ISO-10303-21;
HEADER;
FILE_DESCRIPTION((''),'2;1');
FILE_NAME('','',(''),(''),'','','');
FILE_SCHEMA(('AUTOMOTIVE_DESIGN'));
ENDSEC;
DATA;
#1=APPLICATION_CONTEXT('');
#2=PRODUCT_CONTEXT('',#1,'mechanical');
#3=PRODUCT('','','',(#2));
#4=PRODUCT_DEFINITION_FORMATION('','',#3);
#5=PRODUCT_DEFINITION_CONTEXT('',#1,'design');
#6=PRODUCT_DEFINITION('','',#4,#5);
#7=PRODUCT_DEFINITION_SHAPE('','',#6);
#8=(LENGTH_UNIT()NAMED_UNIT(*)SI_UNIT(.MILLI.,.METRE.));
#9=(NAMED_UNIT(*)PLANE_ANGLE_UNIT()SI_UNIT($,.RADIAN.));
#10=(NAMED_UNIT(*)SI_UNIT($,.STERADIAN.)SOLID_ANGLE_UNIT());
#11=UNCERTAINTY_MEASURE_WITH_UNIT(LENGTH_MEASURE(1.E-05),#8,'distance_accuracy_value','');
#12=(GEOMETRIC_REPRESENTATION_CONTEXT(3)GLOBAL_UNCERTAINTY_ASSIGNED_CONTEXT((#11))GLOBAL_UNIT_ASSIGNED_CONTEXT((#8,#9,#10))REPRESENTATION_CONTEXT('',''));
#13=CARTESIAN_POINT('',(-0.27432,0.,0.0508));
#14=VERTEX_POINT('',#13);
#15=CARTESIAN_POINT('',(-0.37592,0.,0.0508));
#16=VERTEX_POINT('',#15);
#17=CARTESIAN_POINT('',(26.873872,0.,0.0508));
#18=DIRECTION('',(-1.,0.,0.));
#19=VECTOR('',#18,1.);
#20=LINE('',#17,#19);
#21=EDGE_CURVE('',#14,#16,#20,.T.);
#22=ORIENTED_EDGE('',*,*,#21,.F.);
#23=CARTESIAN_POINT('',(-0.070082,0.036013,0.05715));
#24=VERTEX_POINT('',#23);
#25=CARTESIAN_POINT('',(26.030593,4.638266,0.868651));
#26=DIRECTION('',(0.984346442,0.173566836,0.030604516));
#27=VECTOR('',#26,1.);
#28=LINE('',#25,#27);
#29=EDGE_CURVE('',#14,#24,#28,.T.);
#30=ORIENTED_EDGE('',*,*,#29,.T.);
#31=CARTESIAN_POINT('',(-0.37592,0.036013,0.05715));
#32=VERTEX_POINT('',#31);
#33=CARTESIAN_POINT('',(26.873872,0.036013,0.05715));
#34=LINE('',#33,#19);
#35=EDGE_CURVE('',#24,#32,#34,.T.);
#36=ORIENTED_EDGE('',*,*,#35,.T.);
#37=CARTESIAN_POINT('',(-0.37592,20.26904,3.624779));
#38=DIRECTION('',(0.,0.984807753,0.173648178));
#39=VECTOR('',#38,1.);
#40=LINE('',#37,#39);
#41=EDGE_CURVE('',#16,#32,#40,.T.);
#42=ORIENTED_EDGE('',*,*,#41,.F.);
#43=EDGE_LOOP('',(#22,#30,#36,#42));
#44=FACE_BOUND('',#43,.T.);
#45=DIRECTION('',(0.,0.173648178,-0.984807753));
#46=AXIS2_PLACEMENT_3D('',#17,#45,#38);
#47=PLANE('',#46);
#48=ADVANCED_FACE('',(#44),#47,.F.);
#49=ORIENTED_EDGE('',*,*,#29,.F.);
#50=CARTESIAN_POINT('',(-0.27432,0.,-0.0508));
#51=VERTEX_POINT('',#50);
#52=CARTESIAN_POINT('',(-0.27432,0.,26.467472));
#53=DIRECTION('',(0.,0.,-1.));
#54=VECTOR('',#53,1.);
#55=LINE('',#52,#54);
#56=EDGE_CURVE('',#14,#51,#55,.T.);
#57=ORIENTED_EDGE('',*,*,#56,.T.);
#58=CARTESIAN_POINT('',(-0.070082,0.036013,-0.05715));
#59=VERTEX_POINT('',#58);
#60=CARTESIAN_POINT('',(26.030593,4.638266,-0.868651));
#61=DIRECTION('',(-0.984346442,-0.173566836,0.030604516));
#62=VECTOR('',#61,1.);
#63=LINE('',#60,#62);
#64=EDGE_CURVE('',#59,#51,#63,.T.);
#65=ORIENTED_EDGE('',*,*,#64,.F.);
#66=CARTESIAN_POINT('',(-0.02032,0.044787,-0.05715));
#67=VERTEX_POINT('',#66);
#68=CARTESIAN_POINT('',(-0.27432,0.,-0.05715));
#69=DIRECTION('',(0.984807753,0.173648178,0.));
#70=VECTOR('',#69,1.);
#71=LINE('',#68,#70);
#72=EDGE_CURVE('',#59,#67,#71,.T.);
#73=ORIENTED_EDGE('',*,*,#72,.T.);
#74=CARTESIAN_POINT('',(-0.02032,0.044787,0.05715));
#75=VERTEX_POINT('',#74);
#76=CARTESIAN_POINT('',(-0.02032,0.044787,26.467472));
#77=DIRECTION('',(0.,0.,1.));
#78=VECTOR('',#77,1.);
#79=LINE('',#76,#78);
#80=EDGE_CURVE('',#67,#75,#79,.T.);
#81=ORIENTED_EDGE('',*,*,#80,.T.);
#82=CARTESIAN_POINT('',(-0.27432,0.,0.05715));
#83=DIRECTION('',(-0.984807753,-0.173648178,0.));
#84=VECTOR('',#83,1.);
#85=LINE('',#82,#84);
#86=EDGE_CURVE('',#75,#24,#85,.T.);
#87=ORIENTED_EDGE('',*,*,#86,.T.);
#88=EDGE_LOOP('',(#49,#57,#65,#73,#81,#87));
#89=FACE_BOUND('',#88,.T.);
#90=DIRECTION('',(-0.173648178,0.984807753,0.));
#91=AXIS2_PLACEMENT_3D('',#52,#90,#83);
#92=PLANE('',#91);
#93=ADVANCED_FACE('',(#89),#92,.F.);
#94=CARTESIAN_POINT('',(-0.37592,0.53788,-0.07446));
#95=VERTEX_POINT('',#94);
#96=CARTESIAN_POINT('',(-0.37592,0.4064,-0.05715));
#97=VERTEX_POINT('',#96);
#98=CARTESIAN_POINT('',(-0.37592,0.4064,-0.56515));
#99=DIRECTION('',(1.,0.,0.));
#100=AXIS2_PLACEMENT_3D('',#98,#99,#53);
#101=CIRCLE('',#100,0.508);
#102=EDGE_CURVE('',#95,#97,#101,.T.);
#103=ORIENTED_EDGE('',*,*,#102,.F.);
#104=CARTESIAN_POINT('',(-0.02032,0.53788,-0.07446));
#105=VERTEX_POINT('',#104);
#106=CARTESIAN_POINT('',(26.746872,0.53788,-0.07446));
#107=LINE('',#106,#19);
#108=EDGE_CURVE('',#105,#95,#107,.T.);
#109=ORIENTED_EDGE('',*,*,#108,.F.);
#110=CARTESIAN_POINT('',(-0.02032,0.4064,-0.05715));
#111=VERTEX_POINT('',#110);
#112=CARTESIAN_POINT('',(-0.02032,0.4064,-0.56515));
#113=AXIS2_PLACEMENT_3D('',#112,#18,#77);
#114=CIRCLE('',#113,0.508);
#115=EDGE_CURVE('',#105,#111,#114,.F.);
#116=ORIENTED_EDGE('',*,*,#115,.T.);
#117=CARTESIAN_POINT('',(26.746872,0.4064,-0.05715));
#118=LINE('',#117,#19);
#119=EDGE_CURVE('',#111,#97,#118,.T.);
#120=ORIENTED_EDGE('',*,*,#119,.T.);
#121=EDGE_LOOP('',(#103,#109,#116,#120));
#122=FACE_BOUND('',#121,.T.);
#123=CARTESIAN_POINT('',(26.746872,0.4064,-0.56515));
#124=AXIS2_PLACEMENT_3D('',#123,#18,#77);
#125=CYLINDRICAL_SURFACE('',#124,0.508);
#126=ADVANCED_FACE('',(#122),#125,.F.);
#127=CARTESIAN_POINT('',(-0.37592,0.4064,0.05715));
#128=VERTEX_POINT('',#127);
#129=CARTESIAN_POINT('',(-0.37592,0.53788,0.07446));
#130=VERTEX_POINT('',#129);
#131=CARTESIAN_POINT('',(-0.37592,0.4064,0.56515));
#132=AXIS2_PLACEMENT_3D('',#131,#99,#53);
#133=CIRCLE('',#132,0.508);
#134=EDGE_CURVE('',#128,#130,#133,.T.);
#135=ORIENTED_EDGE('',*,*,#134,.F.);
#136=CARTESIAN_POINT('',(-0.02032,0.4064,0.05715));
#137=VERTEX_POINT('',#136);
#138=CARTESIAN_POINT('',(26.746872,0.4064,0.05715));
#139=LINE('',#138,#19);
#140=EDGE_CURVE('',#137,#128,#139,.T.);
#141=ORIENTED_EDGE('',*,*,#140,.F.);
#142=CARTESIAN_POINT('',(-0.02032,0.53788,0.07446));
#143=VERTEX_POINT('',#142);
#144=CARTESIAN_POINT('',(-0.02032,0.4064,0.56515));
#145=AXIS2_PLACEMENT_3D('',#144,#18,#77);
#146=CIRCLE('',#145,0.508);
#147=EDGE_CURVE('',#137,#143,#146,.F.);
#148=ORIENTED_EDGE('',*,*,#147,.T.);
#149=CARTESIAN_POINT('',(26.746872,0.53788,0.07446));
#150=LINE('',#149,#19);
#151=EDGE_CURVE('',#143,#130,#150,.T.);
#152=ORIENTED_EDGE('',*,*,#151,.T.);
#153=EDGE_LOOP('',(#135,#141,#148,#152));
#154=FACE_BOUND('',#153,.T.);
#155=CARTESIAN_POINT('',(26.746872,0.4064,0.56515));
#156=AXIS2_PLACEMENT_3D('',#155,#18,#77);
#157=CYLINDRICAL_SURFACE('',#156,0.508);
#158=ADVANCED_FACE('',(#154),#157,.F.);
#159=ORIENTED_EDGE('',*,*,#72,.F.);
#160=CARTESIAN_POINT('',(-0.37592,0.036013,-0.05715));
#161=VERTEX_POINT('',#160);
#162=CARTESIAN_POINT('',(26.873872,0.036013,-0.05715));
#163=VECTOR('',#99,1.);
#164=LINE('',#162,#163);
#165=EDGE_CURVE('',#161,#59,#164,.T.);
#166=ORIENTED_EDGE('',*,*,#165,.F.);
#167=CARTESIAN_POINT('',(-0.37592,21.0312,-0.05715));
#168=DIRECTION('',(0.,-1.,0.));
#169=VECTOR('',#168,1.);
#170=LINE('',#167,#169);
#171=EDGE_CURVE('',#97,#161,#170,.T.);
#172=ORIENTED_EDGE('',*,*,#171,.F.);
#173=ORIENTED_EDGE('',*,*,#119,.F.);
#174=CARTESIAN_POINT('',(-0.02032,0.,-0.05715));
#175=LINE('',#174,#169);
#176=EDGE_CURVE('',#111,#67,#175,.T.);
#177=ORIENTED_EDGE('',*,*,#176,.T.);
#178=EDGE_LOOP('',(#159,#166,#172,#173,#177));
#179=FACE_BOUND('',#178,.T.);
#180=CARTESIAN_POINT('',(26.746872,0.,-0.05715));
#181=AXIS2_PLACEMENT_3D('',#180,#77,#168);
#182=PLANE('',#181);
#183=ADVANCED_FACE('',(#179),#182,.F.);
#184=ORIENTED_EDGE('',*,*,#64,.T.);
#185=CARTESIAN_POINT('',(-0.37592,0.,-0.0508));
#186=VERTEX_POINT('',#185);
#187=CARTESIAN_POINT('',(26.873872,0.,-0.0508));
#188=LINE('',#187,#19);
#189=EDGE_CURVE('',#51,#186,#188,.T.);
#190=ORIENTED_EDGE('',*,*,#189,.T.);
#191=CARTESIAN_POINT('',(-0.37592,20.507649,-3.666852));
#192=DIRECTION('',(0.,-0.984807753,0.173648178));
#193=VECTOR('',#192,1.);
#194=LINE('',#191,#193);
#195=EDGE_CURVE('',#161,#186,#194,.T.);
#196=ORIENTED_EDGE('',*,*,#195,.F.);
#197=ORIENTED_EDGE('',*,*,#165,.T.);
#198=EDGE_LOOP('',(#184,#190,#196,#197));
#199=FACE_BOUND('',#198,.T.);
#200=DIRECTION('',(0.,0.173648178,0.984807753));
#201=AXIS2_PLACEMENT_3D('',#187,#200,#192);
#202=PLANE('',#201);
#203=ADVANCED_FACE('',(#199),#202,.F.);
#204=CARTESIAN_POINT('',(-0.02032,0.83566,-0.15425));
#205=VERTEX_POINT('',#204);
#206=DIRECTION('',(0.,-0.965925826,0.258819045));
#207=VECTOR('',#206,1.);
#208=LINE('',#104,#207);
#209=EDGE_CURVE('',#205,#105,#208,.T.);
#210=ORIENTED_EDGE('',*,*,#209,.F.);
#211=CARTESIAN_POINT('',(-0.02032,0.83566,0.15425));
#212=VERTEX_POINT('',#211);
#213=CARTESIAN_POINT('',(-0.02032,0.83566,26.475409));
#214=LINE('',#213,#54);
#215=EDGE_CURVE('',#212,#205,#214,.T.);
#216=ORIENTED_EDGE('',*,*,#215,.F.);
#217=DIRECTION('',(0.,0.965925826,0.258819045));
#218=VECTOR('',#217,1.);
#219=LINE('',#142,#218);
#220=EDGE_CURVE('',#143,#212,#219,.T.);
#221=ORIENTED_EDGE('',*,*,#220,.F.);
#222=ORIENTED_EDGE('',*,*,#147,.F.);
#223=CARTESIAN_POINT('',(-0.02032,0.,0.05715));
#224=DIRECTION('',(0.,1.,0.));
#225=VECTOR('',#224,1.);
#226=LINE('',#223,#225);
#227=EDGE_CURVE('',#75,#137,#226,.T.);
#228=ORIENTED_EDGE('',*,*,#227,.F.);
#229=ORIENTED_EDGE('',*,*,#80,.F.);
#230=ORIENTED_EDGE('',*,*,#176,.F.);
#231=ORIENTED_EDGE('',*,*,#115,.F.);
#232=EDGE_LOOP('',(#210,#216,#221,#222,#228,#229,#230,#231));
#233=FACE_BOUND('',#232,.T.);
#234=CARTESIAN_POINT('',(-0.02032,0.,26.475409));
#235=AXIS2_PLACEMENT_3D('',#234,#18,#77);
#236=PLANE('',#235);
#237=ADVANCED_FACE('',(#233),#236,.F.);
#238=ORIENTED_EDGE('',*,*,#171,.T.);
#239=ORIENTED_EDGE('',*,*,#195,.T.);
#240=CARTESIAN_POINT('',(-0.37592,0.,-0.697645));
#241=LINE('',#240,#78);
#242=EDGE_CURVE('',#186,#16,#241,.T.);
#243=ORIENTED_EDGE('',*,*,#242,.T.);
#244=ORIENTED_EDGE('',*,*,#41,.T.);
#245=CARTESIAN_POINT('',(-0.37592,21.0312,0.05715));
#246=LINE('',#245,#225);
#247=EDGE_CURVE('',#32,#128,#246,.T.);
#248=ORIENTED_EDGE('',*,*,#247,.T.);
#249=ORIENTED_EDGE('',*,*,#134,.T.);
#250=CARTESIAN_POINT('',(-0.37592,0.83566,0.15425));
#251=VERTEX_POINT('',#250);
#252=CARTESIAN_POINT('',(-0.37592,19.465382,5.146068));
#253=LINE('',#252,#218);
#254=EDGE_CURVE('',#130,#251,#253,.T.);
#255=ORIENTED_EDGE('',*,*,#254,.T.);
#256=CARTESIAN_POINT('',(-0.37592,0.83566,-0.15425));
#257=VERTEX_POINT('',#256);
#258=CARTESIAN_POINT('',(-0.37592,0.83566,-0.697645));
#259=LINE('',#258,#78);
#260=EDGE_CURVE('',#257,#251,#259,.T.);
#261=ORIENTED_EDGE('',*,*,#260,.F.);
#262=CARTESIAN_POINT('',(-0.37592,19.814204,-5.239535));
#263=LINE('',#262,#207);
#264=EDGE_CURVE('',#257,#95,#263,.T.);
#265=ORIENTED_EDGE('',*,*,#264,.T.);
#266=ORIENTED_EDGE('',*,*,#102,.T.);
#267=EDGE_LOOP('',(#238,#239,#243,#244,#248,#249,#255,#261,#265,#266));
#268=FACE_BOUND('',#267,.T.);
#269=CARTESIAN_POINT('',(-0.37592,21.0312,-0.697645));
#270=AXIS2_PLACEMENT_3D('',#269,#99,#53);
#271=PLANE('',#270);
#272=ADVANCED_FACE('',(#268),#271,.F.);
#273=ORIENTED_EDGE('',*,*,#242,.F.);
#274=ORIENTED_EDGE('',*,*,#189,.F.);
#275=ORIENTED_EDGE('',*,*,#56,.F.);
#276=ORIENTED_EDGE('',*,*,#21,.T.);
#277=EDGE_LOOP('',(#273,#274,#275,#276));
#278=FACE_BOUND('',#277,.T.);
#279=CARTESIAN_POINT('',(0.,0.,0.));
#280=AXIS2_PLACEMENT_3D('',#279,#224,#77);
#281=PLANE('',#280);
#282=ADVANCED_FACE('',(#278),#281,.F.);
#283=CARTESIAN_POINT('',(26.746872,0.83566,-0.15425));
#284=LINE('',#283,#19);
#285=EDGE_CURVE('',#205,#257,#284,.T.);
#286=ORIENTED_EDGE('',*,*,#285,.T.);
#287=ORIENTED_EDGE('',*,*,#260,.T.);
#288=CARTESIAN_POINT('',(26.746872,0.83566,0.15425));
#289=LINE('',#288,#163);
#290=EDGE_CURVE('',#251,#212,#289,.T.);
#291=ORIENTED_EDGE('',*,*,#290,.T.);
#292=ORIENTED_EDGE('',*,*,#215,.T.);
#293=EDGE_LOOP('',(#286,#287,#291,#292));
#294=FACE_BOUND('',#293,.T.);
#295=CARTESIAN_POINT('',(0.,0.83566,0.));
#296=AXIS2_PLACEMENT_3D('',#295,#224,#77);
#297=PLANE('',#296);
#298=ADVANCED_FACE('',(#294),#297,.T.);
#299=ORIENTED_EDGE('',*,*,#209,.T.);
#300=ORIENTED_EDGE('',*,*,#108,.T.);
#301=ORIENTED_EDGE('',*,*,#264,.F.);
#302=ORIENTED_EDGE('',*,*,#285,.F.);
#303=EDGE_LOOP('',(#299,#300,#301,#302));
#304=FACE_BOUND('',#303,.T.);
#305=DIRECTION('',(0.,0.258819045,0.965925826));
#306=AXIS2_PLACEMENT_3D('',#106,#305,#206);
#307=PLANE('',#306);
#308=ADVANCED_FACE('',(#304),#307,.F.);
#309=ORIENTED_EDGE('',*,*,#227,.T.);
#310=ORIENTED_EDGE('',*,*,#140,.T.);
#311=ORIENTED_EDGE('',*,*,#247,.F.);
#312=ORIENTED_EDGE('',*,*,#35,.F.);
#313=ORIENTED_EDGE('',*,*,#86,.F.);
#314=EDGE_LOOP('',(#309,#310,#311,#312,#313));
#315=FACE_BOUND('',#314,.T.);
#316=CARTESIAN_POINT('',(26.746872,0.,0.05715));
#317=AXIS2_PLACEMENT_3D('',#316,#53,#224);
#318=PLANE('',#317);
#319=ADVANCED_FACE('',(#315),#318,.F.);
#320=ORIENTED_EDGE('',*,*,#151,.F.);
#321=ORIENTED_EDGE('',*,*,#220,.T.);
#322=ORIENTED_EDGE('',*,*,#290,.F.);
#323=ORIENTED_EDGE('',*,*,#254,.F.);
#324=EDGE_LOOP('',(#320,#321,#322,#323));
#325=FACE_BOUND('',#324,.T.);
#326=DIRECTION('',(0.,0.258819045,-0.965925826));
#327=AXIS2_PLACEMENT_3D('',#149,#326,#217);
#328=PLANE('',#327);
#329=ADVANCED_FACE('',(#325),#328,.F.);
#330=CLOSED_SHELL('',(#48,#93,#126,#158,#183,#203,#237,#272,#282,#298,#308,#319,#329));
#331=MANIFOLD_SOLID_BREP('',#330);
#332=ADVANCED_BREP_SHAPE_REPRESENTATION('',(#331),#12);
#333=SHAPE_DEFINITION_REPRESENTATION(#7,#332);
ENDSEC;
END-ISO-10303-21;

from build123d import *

# Parameters (mm, degrees)
TD_STD_FEATURE_DEPTH       = 21.0312
ISA_STD_FEATURE_DEPTH      = 22.061040395
ISA_STD_FEATURE_DEPTH_BACK = 22.061040395
BA_STD_FEATURE_DEPTH       = 22.061040395
BA_STD_FEATURE_DEPTH_BACK  = 22.061040395
VR_STD_FEATURE_DEPTH       = 22.061040395
VR_STD_FEATURE_DEPTH_BACK  = 22.061040395
SLB_STD_FEATURE_DEPTH      = 22.061040395
SLB_STD_FEATURE_DEPTH_BACK = 22.061040395


with BuildPart() as part:
    # td_std_sketch → td_std_feature (new body)
    with BuildSketch(Plane(origin=(0, 0, 0), x_dir=(1, 0, 0), z_dir=(0, 1, 0))):
        with BuildLine():
            Line((-0.37592, 0.697645113), (-0.37592, -0.697645113))
            ThreePointArc((-0.37592, -0.697645113), (0.79248, 0), (-0.37592, 0.697645113))
        make_face()
    extrude(amount=TD_STD_FEATURE_DEPTH)

    # isa_std_sketch → isa_std_feature (cut, two sides: drawn at the far end of the back side and taken through both)
    with BuildSketch(Plane(origin=(0, 0, 0), x_dir=(0, 0, -1), z_dir=(1, 0, 0)).offset(-ISA_STD_FEATURE_DEPTH_BACK)):
        Polygon((8.398066277, 47.339699483), (0.79248, 4.2062763), (0.0508, 0), (-0.0508, 0), (-0.79248, 4.2062763), (-8.398066277, 47.339699483), (-8.398066277, -40.25795204), (8.398066277, -40.25795204), align=None)
    extrude(amount=ISA_STD_FEATURE_DEPTH + ISA_STD_FEATURE_DEPTH_BACK, mode=Mode.SUBTRACT)

    # ba_std_sketch → ba_std_feature (cut, two sides: drawn at the far end of the back side and taken through both)
    with BuildSketch(Plane.XY.offset(-BA_STD_FEATURE_DEPTH_BACK)):
        Polygon((-51.59903187, -9.04993148), (-0.27432, 0), (-0.012169423, 0.04622422), (0.79248, 4.609617863), (9.84241148, 55.934329733), (85.581906017, -15.675992153), (24.140462667, -80.660253365), align=None)
    extrude(amount=BA_STD_FEATURE_DEPTH + BA_STD_FEATURE_DEPTH_BACK, mode=Mode.SUBTRACT)

    # vr_std_sketch → vr_std_feature (cut, two sides: drawn at the far end of the back side and taken through both)
    with BuildSketch(Plane(origin=(0, 0, 0), x_dir=(0, 0, -1), z_dir=(1, 0, 0)).offset(-VR_STD_FEATURE_DEPTH_BACK)):
        with BuildLine():
            Line((12.638111697, 47.42606773), (0.79248, 3.217568389))
            Line((0.79248, 3.217568389), (0.07445968, 0.537880075))
            ThreePointArc((0.07445968, 0.537880075), (0.06149601, 0.472707306), (0.05715, 0.4064))
            Line((0.05715, 0.4064), (0.05715, 0))
            Line((0.05715, 0), (-0.05715, 0))
            Line((-0.05715, 0), (-0.05715, 0.4064))
            ThreePointArc((-0.05715, 0.4064), (-0.06149601, 0.472707306), (-0.07445968, 0.537880075))
            Line((-0.07445968, 0.537880075), (-0.79248, 3.217568389))
            Line((-0.79248, 3.217568389), (-12.638111697, 47.42606773))
            Line((-12.638111697, 47.42606773), (-12.638111697, -44.109944949))
            Line((-12.638111697, -44.109944949), (12.638111697, -44.109944949))
            Line((12.638111697, -44.109944949), (12.638111697, 47.42606773))
        make_face()
    extrude(amount=VR_STD_FEATURE_DEPTH + VR_STD_FEATURE_DEPTH_BACK, mode=Mode.SUBTRACT)

    # slb_std_sketch → slb_std_feature (cut, two sides: drawn at the far end of the back side and taken through both)
    with BuildSketch(Plane.XY.offset(-SLB_STD_FEATURE_DEPTH_BACK)):
        with BuildLine():
            Line((-0.02032, -52.09380084), (-0.02032, 0))
            Line((-0.02032, 0), (-0.02032, 1.143))
            ThreePointArc((-0.02032, 1.143), (-0.018386907, 1.187275117), (-0.012602339, 1.231213274))
            Line((-0.012602339, 1.231213274), (0.79248, 5.797062104))
            Line((0.79248, 5.797062104), (9.838473584, 57.099441055))
            Line((9.838473584, 57.099441055), (113.603993376, 47.730703366))
            Line((113.603993376, 47.730703366), (103.745199792, -61.462538529))
            Line((103.745199792, -61.462538529), (-0.02032, -52.09380084))
        make_face()
    extrude(amount=SLB_STD_FEATURE_DEPTH + SLB_STD_FEATURE_DEPTH_BACK, mode=Mode.SUBTRACT)

    # std_right_cut
    split(bisect_by=Plane(origin=(0, 0.83566, 0), x_dir=(1, 0, 0), z_dir=(0, 1, 0)), keep=Keep.BOTTOM)


solid = part.part
